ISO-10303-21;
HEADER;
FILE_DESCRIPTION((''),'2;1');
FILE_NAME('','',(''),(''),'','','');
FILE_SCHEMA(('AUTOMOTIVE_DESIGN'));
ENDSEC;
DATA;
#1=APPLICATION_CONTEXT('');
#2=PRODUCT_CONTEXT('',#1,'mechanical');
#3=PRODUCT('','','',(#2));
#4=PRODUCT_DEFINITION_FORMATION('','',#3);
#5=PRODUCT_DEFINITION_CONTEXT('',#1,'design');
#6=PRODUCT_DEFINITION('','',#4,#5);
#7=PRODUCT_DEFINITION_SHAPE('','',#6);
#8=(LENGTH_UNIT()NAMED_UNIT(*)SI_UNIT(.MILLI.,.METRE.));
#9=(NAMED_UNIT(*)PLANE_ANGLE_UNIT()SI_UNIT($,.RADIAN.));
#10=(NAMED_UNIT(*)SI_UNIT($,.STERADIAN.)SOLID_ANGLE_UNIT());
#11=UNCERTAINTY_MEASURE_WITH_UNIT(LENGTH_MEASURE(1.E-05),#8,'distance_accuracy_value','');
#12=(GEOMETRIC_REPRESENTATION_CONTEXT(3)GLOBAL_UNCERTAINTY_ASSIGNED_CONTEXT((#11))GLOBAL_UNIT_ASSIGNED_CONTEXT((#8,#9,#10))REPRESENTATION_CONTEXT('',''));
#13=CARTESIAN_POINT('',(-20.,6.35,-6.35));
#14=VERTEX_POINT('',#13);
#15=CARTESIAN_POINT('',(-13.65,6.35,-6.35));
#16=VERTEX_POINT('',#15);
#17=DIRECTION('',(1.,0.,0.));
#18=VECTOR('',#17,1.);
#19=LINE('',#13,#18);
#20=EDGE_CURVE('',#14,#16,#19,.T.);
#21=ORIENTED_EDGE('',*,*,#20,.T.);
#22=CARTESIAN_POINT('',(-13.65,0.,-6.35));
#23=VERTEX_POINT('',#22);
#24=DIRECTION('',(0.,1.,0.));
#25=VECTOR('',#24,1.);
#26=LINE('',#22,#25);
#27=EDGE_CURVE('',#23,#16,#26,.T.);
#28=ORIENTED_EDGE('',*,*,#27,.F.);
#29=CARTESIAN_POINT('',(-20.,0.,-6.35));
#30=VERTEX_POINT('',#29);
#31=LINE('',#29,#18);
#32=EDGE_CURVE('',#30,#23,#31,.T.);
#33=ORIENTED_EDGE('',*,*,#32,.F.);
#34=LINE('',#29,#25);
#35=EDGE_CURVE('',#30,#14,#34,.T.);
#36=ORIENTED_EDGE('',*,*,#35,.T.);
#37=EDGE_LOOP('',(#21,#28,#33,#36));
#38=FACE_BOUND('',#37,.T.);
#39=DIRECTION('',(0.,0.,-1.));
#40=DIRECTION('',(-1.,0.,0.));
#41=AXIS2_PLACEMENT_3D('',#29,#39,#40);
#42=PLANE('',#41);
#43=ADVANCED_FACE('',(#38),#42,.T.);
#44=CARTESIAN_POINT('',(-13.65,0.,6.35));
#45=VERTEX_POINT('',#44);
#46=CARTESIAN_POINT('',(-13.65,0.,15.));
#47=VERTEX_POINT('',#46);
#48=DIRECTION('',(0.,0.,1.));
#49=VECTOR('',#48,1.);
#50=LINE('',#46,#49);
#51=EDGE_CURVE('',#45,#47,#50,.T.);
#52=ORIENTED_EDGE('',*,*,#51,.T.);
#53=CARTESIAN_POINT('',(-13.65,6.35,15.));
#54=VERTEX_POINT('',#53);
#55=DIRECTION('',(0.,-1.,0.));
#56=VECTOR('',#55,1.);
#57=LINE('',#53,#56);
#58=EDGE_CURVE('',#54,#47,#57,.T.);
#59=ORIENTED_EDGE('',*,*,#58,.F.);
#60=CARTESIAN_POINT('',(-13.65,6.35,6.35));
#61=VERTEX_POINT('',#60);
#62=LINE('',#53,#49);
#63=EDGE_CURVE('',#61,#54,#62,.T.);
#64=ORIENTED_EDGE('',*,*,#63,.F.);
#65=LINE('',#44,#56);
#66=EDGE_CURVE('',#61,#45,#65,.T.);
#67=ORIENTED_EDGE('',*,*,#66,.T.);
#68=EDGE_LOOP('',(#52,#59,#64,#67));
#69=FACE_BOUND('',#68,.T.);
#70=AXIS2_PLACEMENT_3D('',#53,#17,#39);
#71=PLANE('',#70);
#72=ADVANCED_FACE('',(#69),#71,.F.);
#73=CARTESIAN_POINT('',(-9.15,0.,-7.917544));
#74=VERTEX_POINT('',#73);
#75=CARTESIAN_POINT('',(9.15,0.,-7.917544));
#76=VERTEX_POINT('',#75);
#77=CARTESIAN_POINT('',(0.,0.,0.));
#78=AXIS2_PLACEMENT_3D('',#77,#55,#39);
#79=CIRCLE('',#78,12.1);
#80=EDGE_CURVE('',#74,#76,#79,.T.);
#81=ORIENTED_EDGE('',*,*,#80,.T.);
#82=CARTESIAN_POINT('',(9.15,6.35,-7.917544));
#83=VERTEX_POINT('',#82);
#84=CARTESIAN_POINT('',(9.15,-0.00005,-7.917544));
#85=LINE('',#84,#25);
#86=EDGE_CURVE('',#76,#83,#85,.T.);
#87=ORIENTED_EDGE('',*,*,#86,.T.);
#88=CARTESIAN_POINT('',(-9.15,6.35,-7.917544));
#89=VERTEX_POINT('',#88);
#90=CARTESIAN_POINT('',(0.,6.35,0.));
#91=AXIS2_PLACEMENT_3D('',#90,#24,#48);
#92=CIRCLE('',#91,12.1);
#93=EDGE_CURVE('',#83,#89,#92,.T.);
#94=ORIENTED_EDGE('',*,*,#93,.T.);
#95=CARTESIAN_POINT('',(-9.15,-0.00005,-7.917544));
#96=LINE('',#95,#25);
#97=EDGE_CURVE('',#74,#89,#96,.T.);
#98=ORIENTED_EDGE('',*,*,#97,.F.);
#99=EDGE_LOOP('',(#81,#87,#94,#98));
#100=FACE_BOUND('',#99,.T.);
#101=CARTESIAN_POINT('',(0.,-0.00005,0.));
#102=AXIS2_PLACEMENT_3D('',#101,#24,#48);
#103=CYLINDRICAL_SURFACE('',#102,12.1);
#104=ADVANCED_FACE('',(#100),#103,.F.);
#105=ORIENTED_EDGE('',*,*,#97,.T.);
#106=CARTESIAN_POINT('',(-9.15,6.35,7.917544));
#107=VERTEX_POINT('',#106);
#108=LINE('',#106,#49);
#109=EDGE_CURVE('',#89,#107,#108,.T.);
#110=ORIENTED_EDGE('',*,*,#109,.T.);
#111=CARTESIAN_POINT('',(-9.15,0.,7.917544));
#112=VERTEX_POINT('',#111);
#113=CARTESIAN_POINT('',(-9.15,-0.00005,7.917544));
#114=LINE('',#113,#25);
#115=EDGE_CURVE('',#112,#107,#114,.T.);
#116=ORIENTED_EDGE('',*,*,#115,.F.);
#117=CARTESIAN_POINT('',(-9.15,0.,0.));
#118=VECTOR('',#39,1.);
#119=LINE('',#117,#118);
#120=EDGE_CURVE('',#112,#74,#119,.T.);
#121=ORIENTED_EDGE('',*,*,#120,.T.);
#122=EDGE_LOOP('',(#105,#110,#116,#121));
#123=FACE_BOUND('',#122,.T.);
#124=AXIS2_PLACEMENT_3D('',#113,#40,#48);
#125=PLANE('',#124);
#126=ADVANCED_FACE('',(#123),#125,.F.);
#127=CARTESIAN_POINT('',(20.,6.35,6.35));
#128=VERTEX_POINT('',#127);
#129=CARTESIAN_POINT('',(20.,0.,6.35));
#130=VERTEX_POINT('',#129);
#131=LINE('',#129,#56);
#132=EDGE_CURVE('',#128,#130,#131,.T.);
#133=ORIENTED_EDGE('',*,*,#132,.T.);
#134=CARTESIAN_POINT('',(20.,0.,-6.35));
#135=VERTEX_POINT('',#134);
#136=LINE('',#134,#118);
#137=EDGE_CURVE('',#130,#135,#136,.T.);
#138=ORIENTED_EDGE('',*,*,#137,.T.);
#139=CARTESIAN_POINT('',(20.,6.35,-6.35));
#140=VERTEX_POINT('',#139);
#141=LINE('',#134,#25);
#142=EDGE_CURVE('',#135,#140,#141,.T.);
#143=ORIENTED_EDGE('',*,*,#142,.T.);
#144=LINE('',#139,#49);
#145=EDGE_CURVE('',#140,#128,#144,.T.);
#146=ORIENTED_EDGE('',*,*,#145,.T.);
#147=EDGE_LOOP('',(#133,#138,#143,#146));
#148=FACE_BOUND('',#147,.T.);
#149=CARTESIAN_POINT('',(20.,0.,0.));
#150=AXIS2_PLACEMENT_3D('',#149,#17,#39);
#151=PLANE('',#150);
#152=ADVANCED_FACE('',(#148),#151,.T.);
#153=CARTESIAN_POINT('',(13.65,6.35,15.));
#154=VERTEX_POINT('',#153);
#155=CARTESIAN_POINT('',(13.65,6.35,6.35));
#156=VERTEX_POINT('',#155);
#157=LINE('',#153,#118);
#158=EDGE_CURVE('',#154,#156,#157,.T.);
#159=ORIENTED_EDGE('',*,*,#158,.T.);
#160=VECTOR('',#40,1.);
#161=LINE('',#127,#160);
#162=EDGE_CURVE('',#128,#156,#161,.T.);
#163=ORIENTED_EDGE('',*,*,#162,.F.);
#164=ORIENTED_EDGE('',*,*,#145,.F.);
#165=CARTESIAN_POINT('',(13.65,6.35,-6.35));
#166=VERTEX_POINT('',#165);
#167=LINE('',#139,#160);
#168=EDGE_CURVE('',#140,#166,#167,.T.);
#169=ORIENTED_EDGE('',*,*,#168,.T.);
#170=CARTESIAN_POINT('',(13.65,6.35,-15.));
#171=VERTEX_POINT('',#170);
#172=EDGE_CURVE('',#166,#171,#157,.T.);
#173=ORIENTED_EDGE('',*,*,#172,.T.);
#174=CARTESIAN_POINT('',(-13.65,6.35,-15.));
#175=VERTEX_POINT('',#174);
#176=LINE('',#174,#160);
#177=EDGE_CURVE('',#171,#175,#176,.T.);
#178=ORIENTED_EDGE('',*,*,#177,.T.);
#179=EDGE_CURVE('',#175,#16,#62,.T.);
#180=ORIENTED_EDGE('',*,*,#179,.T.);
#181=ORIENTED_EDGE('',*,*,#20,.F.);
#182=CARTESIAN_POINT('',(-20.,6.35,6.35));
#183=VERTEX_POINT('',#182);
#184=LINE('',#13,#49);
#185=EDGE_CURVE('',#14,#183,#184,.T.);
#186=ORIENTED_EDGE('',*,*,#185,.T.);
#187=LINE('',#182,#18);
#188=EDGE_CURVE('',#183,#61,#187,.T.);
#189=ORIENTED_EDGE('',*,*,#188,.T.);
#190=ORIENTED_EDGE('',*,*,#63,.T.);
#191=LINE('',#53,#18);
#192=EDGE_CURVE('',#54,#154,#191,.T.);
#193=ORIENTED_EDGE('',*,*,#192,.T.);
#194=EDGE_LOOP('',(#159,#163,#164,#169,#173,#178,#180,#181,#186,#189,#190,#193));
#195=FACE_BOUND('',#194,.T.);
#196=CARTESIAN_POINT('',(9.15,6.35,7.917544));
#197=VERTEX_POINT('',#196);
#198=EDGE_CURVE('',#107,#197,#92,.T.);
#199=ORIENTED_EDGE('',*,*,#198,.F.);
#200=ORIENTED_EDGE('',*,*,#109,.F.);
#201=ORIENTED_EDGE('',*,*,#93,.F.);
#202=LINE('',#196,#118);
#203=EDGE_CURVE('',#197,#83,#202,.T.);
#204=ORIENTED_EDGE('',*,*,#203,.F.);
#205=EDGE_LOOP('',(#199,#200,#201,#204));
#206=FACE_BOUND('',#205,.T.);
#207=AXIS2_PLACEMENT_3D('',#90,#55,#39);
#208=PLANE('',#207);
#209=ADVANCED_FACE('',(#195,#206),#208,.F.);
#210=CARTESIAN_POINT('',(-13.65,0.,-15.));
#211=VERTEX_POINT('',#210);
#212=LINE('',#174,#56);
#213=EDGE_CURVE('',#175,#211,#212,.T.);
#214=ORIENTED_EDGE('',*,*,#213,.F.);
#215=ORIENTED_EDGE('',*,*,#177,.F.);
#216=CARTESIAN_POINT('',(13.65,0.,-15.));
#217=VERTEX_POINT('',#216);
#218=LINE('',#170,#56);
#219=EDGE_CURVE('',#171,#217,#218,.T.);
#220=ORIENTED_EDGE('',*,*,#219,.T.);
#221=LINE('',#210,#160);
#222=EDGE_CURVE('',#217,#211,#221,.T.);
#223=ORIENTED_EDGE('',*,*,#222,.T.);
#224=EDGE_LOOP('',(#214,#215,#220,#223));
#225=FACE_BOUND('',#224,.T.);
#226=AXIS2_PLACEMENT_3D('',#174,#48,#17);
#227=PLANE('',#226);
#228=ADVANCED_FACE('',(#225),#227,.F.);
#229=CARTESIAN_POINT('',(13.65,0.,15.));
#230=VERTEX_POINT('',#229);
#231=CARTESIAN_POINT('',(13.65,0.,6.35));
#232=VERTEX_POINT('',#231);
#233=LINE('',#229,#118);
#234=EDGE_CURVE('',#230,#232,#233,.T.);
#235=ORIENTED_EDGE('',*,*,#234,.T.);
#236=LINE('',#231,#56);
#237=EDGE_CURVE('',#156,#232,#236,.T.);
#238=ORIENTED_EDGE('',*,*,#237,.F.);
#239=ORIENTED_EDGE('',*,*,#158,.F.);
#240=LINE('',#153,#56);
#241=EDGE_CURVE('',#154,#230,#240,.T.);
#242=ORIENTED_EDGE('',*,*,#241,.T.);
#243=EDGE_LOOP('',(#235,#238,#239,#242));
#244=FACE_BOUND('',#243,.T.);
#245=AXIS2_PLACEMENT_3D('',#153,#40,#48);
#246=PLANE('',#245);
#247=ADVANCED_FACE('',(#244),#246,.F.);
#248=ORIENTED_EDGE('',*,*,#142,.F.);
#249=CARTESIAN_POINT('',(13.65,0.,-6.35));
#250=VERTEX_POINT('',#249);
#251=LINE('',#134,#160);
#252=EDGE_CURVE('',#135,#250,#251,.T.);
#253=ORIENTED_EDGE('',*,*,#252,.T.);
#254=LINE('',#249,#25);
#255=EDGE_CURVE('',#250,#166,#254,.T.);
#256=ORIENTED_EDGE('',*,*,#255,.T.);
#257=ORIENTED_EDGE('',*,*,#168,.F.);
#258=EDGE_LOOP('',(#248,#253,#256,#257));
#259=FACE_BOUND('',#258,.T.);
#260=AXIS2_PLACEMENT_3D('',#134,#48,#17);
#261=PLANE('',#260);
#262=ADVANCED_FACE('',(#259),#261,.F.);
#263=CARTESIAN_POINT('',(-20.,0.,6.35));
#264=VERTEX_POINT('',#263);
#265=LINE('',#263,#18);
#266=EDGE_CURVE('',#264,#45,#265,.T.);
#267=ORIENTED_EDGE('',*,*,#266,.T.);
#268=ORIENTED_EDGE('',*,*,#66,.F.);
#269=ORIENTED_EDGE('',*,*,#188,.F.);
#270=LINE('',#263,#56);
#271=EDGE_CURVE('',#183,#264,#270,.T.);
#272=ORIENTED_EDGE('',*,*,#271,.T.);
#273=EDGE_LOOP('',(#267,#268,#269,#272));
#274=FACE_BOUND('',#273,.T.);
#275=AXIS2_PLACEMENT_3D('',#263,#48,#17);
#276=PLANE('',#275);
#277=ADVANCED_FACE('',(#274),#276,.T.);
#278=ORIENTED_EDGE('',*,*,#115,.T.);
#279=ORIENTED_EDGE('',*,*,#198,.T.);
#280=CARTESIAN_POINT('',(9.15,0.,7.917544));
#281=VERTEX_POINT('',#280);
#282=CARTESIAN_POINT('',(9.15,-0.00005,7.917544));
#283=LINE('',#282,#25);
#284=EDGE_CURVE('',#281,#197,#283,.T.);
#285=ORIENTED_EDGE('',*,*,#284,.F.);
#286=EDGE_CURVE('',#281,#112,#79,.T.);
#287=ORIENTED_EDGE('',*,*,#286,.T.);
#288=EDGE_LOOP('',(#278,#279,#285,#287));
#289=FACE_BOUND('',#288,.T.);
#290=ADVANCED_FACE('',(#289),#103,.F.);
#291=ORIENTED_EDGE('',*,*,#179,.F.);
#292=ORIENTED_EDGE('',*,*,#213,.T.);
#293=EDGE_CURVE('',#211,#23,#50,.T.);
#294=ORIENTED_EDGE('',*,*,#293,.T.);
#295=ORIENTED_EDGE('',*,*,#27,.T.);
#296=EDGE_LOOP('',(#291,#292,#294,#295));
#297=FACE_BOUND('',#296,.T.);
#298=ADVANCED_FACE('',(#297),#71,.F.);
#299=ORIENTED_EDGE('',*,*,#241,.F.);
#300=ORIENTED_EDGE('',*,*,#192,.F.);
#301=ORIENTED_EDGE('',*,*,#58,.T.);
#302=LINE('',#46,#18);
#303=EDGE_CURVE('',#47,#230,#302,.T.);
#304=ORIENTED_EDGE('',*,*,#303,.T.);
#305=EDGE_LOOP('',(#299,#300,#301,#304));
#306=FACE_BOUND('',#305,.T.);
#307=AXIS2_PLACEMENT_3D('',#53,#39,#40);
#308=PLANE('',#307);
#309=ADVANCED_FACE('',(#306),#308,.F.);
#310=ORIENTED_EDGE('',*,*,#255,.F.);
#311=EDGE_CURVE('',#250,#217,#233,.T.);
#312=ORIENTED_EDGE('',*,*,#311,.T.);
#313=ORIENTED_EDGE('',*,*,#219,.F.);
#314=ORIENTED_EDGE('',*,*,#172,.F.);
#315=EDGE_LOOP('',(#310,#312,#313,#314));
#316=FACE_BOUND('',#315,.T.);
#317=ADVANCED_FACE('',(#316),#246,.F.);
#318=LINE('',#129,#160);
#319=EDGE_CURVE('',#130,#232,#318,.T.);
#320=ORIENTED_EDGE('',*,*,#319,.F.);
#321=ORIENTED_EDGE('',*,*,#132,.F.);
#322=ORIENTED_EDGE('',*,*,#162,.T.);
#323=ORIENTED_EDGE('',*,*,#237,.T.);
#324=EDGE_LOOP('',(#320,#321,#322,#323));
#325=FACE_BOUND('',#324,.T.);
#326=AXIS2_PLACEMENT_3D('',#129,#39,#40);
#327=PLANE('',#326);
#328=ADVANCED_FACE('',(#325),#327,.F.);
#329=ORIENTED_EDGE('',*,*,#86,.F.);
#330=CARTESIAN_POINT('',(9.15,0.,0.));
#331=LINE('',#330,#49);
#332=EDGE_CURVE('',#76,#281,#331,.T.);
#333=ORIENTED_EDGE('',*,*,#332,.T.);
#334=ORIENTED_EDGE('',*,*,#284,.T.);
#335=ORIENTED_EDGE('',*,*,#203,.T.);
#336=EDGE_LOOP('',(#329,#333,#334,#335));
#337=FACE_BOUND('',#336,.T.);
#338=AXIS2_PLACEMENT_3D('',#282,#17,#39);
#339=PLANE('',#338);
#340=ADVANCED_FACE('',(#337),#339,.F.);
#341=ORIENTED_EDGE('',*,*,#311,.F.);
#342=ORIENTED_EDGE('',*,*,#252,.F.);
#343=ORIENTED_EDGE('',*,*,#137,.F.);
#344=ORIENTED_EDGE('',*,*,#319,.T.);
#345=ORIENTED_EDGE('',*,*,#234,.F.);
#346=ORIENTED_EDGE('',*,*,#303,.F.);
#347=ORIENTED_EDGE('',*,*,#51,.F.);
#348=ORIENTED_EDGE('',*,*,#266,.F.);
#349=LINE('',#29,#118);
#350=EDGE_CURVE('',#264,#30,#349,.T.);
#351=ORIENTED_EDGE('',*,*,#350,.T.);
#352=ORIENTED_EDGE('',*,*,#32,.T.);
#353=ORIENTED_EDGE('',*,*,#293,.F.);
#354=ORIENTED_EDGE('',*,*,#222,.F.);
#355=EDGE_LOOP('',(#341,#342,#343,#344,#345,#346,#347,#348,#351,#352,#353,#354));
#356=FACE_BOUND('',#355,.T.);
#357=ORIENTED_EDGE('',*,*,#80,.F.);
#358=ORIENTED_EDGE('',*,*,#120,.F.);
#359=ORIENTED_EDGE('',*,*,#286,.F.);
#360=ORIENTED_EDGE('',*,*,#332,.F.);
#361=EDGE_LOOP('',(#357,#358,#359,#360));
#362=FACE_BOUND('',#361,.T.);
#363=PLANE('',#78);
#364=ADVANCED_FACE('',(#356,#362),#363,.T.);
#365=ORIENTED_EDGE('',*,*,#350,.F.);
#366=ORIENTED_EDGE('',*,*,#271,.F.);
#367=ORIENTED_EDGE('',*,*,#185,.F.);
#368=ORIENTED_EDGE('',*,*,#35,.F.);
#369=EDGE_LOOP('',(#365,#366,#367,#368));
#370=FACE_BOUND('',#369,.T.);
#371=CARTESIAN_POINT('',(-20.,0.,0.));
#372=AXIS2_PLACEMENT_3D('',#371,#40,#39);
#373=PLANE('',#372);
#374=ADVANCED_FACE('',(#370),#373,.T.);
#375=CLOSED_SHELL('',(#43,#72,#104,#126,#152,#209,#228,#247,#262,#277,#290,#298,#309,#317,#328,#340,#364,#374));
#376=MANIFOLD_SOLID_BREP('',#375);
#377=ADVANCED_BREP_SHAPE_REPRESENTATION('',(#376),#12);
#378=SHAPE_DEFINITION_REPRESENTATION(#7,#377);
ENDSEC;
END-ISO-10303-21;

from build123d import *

# Parameters (mm, degrees)
SKETCH1_W           = 27.3
SKETCH1_H           = 30
BOSS_EXTRUDE1_DEPTH = 6.35
SKETCH2_W           = 12.7
SKETCH2_H           = 6.35
BOSS_EXTRUDE2_DEPTH = 6.35
CUT_EXTRUDE1_DEPTH  = 7.35


with BuildPart() as part:
    # Sketch1 → Boss-Extrude1 (new body)
    with BuildSketch(Plane(origin=(0, 0, 0), x_dir=(1, 0, 0), z_dir=(0, 1, 0))):
        Rectangle(SKETCH1_W, SKETCH1_H)
    extrude(amount=BOSS_EXTRUDE1_DEPTH)

    # Sketch2 → Boss-Extrude2 (add)
    with BuildSketch(Plane(origin=(13.65, 0, 0), x_dir=(0, 0, -1), z_dir=(1, 0, 0))):
        with Locations((0, 3.175)):
            Rectangle(SKETCH2_W, SKETCH2_H)
    boss_extrude2 = extrude(amount=BOSS_EXTRUDE2_DEPTH)

    # Mirror1: Boss-Extrude2 across plane
    add(boss_extrude2.mirror(Plane(origin=(0, 0, 0), x_dir=(0, 0, 1), z_dir=(1, 0, 0))))

    # Sketch3 → Cut-Extrude1 (cut, through all)
    with BuildSketch(Plane(origin=(0, 6.35, 0), x_dir=(1, 0, 0), z_dir=(0, 1, 0))):
        with BuildLine():
            Line((-9.15, -7.917543811), (-9.15, 7.917543811))
            ThreePointArc((-9.15, 7.917543811), (0, 12.1), (9.15, 7.917543811))
            Line((9.15, 7.917543811), (9.15, -7.917543811))
            ThreePointArc((9.15, -7.917543811), (0, -12.1), (-9.15, -7.917543811))
        make_face()
    extrude(amount=-CUT_EXTRUDE1_DEPTH, mode=Mode.SUBTRACT)


solid = part.part
